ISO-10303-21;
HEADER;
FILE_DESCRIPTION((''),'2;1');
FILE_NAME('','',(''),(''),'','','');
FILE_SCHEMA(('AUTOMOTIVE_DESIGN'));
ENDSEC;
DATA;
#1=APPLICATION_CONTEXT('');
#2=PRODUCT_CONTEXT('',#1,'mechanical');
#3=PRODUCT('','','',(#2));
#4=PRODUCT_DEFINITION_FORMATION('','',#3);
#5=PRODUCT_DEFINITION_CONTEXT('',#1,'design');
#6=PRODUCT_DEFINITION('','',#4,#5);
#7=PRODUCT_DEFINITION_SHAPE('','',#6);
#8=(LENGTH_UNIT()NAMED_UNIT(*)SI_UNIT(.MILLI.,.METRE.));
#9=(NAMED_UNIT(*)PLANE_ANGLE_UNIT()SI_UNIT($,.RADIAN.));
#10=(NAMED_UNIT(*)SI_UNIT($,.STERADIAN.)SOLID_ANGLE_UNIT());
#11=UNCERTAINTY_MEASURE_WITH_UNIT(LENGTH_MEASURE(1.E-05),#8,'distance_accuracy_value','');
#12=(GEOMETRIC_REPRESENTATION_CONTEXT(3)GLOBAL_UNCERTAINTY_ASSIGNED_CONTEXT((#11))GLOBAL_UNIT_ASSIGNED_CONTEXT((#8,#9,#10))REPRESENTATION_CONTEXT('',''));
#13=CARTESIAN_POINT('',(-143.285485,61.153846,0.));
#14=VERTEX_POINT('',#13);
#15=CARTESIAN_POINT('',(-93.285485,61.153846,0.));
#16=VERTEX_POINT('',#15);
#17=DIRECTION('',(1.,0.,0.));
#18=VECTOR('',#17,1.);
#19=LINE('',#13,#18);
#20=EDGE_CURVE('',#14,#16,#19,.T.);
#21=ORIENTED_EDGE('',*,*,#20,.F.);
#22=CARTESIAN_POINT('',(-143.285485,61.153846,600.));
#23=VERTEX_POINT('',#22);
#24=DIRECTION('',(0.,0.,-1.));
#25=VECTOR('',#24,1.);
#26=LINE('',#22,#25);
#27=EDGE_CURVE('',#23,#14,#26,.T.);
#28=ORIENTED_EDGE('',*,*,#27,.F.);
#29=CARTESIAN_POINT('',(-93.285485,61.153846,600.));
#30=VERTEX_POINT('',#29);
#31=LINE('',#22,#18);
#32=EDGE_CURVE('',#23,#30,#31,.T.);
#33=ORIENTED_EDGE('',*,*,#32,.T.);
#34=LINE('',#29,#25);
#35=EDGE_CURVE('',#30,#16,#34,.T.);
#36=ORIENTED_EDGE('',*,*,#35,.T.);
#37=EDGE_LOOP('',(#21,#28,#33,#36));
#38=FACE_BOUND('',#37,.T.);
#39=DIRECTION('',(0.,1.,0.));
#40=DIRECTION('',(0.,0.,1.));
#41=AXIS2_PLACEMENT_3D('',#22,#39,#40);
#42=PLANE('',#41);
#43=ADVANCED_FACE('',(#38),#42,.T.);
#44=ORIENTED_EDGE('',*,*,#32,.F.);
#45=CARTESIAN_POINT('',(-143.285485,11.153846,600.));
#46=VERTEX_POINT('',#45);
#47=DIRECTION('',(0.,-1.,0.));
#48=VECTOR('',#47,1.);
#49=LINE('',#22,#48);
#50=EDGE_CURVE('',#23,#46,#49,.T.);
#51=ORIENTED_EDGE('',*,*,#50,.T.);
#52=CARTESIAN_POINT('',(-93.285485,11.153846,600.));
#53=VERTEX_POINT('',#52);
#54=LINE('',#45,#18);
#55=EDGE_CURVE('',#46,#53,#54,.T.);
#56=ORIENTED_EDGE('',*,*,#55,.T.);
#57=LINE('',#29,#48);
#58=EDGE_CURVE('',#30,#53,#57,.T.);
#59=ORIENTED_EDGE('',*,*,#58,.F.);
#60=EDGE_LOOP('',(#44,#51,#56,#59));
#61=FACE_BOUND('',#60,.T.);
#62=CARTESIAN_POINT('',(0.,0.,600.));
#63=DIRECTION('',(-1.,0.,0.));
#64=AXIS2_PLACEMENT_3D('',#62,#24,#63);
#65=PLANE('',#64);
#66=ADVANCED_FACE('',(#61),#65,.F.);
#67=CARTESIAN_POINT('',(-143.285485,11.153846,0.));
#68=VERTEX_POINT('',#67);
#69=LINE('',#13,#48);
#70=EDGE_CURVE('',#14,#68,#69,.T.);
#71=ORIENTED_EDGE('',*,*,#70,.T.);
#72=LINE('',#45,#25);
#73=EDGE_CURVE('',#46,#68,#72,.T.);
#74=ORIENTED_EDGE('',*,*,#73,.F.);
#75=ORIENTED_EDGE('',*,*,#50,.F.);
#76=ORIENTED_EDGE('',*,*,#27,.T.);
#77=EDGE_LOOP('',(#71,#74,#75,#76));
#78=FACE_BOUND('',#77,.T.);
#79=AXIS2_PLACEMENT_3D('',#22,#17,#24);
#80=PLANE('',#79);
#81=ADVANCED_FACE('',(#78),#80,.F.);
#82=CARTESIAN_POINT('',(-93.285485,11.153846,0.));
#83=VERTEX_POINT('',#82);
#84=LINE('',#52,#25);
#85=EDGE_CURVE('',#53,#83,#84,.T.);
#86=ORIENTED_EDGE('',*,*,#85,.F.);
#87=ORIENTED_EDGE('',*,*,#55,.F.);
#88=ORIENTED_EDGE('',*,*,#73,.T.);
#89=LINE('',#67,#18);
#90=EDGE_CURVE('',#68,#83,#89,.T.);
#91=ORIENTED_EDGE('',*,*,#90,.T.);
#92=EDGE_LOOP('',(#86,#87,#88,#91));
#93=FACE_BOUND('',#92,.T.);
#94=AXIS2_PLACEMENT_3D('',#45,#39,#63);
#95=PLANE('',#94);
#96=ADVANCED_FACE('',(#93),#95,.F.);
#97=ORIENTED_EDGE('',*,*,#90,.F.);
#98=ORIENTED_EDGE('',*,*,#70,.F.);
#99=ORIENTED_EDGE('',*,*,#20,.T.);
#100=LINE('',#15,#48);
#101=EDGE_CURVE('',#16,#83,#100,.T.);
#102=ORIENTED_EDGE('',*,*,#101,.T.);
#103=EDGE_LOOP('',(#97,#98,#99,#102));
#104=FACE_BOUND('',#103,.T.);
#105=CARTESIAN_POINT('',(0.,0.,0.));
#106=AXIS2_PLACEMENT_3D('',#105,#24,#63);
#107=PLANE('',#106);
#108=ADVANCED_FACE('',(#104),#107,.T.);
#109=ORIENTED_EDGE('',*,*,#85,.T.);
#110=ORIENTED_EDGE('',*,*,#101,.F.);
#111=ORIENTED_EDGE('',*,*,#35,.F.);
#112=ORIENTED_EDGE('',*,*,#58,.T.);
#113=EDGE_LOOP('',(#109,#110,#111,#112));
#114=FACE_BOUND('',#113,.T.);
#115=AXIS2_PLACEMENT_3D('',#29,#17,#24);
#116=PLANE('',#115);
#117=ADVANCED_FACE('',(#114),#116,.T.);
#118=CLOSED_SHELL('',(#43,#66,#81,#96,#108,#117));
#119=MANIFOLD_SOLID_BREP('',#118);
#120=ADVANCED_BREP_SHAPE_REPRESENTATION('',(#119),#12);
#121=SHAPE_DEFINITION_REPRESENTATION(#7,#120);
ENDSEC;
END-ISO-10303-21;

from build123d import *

# Parameters (mm, degrees)
ESBO_O1_W                = 50
ESBO_O1_H                = 50
RESSALTO_EXTRUS_O1_DEPTH = 600


with BuildPart() as part:
    # Esboço1 → Ressalto-extrusão1 (new body)
    with BuildSketch(Plane.XY):
        with Locations((-118.285485097, 36.153846154)):
            Rectangle(ESBO_O1_W, ESBO_O1_H)
    extrude(amount=RESSALTO_EXTRUS_O1_DEPTH)


solid = part.part
